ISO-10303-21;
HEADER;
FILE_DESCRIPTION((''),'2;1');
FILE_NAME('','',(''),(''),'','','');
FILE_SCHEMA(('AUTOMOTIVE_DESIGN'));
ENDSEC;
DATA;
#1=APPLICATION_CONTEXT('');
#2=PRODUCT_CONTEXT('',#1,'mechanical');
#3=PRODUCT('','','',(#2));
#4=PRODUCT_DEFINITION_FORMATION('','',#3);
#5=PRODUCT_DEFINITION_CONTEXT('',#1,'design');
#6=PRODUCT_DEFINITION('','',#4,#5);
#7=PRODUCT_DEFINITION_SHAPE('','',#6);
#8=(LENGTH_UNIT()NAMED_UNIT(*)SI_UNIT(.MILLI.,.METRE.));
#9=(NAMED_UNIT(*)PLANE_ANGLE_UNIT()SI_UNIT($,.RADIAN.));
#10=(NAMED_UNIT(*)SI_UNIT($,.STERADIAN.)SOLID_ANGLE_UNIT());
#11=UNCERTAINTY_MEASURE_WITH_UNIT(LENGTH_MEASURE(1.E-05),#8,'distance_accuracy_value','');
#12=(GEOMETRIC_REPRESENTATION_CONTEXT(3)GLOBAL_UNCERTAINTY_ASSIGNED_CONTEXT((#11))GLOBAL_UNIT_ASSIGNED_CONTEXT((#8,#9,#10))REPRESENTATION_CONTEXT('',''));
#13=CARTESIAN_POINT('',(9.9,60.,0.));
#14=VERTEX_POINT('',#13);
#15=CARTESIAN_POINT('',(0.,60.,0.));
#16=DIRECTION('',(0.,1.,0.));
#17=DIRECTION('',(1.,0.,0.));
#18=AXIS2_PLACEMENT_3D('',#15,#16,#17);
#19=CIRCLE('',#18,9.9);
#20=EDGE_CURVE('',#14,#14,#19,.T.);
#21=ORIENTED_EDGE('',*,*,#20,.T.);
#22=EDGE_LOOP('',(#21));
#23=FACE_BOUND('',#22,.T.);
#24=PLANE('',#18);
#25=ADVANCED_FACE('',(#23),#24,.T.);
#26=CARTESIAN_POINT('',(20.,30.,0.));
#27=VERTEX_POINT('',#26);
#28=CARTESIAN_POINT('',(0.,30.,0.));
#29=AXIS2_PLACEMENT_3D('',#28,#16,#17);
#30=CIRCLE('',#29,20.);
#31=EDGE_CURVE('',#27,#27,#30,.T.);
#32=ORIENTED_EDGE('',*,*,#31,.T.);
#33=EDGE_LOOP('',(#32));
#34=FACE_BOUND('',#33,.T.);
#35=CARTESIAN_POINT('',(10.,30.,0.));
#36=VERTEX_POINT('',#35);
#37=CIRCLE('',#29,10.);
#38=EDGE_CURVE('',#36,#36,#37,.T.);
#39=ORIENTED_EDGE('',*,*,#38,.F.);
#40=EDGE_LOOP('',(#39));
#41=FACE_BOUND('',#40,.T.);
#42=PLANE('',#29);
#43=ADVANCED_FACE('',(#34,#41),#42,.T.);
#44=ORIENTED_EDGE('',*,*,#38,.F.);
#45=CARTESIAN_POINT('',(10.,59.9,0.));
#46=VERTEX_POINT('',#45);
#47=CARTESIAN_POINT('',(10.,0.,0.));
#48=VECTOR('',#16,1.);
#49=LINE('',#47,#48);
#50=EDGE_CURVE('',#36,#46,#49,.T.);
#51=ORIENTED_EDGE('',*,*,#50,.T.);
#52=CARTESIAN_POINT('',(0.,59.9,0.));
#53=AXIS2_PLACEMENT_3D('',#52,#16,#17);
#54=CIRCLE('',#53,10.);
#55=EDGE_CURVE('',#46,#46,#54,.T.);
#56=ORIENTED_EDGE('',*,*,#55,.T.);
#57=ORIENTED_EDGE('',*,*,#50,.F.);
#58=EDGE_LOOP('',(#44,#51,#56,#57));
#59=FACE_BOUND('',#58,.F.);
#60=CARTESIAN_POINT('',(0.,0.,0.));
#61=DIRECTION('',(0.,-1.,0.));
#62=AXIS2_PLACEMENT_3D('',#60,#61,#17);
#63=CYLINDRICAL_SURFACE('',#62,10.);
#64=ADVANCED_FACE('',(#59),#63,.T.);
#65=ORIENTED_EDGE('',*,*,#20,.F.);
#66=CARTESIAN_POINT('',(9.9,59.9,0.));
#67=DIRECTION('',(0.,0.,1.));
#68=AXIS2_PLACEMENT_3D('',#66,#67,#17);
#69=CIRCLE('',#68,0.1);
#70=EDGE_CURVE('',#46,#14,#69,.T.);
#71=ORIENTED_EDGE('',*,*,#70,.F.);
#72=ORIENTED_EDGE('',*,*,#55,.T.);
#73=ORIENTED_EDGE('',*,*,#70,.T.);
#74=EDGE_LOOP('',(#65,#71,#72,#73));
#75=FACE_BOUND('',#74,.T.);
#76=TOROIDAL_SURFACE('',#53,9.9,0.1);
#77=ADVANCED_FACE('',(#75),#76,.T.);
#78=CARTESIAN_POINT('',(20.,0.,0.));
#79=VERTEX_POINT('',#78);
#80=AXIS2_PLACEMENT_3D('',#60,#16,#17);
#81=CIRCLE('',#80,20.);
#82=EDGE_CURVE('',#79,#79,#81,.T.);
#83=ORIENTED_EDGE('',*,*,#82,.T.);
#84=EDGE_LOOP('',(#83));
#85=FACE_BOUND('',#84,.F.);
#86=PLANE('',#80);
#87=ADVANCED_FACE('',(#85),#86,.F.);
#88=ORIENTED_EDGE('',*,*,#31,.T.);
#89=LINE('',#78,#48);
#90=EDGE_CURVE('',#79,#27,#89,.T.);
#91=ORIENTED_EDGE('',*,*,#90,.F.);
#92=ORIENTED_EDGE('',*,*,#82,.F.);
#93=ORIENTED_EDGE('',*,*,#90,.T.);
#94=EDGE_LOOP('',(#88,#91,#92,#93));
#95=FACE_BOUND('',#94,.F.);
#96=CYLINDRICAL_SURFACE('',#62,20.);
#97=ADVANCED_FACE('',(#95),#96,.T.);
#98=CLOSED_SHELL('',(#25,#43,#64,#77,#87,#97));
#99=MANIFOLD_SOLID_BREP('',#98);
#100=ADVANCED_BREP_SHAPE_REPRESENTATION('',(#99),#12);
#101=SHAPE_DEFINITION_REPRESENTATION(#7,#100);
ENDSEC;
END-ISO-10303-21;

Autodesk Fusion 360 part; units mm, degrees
sketch "Sketch1" plane through (0, 0, 0) normal (0, 1, 0) x (1, 0, 0)
  circle A0 centre (0, 0) radius 20
  circle A1 centre (0, 0) radius 10
  dimension "d1" = 40
  dimension "d2" = 20
extrude "Extrude1" add sketch "Sketch1" along normal blind 30
extrude "Extrude2" add sketch "Sketch1" along normal blind 60 contours A1
fillet "Fillet1" radius 0.1 1 edges at (-9.3233, 60, 3.6162)
